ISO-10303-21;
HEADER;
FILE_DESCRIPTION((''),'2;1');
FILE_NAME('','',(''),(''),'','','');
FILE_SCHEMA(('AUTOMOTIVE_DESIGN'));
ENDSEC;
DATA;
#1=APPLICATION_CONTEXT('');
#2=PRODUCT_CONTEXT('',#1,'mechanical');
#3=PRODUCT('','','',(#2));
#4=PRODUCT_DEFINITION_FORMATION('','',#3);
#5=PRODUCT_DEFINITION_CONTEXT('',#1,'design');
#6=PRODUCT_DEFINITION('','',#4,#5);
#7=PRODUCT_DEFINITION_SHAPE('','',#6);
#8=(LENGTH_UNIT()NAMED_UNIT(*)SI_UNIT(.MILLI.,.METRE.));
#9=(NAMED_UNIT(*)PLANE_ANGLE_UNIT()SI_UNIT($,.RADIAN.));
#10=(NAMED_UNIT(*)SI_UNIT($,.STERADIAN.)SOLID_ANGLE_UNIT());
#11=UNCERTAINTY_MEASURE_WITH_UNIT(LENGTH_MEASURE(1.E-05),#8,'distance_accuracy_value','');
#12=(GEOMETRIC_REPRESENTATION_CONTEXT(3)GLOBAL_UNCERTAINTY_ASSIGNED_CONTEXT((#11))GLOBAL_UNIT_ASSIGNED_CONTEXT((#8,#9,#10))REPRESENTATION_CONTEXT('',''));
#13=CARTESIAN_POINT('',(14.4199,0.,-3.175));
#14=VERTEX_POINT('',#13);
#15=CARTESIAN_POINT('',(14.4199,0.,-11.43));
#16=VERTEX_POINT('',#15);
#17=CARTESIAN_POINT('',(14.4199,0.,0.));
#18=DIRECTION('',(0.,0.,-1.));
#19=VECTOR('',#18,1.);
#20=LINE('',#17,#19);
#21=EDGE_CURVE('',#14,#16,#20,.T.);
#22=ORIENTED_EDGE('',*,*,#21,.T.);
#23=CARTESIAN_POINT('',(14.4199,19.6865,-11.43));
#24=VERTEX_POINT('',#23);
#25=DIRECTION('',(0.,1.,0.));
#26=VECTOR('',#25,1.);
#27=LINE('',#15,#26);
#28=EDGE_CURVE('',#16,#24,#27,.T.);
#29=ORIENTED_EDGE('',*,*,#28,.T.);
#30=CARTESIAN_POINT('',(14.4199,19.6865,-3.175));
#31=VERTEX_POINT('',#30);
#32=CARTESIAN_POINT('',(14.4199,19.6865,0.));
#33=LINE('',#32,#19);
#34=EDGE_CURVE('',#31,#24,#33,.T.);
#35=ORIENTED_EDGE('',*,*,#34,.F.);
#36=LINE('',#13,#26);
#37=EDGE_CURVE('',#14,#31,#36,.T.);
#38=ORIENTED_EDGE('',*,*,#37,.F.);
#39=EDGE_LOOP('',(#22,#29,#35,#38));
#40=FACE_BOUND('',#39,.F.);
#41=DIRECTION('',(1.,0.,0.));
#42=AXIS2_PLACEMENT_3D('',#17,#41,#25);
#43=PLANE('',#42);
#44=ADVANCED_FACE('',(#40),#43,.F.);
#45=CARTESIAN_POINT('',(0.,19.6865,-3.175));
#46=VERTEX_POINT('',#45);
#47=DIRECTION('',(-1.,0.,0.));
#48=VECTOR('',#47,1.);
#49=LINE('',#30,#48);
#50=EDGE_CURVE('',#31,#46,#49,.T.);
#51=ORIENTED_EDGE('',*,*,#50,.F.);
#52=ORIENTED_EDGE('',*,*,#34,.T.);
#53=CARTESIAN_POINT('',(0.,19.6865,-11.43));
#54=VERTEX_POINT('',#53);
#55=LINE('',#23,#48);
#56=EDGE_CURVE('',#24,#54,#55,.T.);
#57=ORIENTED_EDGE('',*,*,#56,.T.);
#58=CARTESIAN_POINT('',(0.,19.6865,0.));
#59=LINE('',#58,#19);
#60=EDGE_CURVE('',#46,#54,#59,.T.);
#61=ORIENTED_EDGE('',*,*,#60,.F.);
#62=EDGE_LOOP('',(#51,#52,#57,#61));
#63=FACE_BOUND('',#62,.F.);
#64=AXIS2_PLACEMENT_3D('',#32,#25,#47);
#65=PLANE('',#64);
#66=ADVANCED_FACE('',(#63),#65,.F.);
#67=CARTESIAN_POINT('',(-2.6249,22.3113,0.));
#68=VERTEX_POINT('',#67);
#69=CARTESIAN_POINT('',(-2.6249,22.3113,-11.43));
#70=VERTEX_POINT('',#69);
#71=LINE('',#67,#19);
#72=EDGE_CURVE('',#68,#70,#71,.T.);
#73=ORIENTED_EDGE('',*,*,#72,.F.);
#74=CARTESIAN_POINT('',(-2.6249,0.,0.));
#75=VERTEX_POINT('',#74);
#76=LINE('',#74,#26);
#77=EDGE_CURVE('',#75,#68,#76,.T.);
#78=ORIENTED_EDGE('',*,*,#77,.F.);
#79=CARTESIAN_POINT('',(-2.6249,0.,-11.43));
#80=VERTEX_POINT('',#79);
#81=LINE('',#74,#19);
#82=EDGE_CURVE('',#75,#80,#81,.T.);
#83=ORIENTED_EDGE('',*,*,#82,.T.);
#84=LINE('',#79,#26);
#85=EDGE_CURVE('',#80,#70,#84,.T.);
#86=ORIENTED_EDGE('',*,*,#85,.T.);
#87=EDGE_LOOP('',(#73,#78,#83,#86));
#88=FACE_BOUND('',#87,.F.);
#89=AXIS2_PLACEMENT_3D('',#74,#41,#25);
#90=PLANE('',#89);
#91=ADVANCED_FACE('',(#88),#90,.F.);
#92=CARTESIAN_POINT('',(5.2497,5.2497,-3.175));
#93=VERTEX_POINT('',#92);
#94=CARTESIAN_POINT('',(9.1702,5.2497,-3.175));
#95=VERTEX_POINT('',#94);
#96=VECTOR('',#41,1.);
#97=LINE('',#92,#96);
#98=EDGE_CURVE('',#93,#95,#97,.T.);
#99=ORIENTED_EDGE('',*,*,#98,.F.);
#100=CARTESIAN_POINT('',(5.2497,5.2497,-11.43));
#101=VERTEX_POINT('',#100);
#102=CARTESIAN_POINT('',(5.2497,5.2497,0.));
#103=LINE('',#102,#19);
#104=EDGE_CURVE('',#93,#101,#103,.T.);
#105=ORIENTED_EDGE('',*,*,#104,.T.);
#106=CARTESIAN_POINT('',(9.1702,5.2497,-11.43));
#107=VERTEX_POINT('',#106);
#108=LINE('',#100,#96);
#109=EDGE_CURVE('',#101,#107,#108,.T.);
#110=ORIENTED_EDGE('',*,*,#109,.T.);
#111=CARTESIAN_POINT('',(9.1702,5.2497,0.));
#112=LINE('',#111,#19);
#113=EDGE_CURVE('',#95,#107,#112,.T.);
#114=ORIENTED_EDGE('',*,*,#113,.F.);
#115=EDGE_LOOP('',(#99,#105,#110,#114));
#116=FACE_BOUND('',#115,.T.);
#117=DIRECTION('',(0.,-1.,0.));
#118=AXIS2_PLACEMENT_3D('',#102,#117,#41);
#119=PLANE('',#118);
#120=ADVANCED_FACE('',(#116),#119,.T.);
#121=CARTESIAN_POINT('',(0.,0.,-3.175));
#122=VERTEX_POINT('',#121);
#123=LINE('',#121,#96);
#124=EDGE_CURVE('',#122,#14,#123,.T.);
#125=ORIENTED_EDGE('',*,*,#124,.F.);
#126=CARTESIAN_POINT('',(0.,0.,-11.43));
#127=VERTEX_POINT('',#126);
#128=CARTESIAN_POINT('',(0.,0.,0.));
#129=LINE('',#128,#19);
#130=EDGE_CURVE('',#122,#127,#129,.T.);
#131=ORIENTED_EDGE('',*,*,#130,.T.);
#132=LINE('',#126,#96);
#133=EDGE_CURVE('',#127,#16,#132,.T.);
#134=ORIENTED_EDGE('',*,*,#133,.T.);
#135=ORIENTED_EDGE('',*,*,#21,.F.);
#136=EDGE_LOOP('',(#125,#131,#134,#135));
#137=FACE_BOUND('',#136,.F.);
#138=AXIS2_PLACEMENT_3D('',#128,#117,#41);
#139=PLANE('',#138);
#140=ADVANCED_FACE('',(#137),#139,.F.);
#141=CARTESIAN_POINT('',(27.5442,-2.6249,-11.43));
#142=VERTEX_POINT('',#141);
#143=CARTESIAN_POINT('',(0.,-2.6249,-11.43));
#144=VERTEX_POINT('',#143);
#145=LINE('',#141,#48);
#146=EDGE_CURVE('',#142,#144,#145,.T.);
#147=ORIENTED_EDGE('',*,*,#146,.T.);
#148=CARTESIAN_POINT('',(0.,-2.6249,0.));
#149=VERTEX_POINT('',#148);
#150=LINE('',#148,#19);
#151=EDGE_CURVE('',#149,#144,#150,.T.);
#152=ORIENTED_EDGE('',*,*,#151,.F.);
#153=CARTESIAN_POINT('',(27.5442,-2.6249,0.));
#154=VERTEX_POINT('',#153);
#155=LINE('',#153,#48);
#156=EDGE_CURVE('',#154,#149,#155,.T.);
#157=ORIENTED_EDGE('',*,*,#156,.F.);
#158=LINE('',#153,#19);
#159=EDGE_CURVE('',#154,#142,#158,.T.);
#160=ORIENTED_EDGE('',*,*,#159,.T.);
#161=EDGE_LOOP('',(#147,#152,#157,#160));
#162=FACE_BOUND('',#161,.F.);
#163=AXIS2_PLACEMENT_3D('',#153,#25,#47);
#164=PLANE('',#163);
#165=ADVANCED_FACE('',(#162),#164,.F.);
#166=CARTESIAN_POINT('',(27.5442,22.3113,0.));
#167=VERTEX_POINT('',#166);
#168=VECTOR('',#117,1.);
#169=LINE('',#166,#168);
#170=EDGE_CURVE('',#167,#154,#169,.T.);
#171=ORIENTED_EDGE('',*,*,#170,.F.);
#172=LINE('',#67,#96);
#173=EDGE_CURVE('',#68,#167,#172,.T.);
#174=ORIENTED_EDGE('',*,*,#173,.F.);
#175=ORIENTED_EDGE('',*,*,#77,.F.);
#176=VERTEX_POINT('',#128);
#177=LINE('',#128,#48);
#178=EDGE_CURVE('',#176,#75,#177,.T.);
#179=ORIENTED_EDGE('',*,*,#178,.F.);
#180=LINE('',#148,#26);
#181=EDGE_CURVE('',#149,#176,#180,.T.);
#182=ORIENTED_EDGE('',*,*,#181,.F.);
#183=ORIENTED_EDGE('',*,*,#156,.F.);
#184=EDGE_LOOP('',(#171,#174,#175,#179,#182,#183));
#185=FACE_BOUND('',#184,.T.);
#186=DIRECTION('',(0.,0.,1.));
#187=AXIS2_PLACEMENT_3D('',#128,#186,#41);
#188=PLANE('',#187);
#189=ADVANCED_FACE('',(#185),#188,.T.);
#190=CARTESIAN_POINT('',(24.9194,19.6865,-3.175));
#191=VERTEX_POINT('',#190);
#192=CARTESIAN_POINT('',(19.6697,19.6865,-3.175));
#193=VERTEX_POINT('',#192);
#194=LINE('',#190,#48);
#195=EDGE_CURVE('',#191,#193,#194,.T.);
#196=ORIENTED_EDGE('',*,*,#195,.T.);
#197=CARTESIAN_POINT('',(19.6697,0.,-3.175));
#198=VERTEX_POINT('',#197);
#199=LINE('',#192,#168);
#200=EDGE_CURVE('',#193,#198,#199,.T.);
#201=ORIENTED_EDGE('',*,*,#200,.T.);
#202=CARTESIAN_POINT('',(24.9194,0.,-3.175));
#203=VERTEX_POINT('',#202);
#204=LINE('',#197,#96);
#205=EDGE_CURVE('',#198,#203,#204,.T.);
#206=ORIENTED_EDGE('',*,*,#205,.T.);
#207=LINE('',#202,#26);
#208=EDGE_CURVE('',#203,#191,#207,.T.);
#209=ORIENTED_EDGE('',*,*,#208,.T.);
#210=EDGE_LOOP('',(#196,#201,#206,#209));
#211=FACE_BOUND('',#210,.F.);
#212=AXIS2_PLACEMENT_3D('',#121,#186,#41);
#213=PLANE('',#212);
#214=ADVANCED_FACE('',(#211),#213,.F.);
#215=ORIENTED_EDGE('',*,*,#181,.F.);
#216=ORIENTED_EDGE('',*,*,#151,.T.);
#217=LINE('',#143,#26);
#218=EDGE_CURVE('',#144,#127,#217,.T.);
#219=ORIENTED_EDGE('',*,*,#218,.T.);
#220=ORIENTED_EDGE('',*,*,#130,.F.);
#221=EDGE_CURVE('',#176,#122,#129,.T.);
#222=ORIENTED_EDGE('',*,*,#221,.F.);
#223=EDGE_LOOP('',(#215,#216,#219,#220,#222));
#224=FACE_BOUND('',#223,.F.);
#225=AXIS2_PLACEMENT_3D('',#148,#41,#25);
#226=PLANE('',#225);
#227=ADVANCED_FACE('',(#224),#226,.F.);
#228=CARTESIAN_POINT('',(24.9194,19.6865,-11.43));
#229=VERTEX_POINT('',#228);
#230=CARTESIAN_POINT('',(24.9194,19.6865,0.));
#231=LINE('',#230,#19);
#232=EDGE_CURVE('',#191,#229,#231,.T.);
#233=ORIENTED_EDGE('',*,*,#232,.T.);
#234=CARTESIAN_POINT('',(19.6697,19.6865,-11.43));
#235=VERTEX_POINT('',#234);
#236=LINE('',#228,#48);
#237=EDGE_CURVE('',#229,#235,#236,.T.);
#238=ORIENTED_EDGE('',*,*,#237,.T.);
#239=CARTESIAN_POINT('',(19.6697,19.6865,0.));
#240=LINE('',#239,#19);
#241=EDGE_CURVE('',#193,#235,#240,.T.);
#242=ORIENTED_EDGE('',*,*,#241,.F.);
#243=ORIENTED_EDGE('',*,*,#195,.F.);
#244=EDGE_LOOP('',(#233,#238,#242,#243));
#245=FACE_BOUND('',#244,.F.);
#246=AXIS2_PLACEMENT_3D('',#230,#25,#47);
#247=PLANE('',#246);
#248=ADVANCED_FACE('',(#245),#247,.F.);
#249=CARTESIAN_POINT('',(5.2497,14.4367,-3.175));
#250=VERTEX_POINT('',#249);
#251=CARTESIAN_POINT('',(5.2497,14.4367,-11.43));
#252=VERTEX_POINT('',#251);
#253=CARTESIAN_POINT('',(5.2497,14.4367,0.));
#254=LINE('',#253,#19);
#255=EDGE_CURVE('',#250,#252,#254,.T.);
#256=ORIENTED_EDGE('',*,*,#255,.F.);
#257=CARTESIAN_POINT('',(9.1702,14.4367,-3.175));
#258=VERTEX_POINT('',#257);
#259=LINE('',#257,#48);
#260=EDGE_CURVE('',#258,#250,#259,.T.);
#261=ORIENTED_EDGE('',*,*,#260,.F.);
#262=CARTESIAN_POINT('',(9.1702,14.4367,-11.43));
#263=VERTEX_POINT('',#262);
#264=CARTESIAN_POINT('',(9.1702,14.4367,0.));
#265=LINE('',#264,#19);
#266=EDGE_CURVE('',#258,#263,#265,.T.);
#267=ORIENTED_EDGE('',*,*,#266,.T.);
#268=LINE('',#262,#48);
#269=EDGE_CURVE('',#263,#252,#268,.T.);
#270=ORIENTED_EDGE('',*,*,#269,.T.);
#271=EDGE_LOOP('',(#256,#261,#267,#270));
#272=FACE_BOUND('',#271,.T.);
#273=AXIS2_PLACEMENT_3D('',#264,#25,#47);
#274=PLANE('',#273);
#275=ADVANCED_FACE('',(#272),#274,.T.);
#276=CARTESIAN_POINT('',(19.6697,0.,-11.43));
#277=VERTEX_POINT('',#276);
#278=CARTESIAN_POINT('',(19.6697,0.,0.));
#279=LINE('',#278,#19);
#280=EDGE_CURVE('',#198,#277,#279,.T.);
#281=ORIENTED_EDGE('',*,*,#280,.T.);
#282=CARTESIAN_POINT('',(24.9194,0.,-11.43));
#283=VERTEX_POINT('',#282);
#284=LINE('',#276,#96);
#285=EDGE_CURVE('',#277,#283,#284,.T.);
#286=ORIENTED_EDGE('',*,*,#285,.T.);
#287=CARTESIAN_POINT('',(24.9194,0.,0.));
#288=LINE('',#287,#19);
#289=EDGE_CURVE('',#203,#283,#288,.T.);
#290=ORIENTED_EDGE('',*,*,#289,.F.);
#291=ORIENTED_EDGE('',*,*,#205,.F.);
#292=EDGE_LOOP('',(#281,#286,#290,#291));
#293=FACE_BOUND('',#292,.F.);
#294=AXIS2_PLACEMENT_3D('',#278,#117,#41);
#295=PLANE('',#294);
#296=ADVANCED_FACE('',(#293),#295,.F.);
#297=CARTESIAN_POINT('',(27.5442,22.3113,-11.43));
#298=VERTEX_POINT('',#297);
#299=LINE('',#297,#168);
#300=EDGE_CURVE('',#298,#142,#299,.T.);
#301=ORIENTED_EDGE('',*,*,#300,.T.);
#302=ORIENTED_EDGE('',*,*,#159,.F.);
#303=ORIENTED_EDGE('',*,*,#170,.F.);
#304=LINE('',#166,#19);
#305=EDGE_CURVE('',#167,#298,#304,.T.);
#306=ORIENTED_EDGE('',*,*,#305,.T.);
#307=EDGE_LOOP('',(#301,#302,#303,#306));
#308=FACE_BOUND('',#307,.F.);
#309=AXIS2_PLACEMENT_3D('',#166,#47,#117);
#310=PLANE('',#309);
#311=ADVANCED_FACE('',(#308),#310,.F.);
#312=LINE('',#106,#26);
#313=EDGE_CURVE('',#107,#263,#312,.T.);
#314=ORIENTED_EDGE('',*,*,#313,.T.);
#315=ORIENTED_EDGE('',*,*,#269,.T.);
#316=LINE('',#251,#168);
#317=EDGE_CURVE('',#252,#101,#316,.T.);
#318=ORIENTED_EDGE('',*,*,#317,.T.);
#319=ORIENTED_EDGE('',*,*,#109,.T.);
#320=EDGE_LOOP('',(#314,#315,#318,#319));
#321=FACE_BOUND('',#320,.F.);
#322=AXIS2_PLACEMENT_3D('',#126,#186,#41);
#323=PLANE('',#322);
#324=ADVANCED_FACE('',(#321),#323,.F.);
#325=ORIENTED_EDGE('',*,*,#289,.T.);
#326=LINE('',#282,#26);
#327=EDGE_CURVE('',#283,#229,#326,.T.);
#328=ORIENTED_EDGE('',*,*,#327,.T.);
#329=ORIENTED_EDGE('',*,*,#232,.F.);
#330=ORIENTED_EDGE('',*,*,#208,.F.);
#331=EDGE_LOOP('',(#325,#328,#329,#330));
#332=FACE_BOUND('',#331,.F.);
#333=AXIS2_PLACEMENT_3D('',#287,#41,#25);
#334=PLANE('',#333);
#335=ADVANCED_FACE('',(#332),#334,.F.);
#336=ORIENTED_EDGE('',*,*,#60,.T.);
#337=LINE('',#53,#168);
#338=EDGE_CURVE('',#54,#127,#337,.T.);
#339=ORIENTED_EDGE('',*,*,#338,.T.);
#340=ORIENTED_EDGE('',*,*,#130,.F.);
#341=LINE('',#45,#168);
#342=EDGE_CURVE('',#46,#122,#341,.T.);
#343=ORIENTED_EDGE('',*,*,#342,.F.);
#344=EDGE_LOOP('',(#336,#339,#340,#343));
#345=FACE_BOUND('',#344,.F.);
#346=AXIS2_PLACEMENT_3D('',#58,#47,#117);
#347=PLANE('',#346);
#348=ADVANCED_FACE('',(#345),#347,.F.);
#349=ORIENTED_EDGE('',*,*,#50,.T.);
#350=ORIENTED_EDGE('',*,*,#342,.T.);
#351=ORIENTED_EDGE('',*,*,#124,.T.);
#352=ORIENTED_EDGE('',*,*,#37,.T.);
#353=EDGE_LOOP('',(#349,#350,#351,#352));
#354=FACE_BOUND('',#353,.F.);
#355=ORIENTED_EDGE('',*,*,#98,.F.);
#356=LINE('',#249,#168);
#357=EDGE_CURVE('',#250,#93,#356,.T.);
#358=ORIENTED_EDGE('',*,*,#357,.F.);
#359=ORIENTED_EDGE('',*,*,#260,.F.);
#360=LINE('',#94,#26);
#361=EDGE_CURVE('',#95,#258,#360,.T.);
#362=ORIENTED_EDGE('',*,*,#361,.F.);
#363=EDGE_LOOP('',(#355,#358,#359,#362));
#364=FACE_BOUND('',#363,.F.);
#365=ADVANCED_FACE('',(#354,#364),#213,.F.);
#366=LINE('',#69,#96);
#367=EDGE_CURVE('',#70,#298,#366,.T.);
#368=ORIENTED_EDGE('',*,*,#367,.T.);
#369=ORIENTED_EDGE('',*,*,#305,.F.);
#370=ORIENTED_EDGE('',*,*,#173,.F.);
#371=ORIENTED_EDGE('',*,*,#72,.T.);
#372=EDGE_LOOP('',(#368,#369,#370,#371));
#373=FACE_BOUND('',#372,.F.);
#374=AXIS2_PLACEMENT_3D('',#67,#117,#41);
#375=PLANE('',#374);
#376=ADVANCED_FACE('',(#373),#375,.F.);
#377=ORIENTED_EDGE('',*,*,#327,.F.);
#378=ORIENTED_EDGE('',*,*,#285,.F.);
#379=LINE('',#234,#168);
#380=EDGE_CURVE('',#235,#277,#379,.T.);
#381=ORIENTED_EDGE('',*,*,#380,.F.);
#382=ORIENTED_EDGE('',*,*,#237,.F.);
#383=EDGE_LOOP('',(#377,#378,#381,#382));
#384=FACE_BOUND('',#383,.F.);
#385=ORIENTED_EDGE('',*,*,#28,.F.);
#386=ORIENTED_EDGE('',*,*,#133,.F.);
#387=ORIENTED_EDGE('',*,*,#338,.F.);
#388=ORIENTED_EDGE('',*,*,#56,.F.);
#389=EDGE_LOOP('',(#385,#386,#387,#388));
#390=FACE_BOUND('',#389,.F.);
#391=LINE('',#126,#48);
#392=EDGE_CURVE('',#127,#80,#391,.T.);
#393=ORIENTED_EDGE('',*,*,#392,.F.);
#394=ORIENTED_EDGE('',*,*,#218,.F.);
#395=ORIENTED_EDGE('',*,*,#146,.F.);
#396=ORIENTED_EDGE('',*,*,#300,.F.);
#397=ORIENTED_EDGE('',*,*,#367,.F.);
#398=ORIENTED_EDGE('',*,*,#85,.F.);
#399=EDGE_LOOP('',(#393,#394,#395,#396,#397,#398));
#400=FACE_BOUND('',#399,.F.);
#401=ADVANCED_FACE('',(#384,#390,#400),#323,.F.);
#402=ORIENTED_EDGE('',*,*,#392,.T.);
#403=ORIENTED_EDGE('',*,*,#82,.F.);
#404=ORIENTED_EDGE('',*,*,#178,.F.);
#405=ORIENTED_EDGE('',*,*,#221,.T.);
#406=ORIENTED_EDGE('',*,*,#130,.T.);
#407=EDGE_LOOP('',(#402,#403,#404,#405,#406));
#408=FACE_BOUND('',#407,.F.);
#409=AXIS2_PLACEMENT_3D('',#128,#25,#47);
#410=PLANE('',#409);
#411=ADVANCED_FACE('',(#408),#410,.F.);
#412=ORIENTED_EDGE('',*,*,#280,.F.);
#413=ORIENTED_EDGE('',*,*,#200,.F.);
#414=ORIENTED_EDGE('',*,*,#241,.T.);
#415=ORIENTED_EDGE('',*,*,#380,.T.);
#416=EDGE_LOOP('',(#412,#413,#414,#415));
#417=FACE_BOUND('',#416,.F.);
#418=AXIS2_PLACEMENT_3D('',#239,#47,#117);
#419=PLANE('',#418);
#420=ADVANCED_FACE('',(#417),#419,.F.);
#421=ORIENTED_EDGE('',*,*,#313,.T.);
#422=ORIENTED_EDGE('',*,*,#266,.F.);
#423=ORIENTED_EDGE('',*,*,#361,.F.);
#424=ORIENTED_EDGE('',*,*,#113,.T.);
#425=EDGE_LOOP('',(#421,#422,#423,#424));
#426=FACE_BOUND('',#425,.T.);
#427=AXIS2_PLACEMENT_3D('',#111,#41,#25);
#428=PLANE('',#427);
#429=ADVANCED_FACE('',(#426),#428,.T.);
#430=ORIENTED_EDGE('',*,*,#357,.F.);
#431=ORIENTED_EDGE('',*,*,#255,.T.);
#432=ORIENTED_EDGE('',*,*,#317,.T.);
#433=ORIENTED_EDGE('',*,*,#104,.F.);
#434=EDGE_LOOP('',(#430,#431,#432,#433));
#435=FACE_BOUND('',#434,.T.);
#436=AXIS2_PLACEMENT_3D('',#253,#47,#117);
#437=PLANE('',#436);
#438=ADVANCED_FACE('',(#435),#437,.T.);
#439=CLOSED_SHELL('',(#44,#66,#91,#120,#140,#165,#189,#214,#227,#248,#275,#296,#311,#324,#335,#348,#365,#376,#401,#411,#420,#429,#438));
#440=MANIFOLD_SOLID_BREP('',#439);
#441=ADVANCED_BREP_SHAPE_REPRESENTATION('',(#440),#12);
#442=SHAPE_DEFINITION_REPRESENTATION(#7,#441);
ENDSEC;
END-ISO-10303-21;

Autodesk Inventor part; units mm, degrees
ref_plane "YZ Plane" through (0, 0, 0) normal (1, 0, 0) x (0, 1, 0)
ref_plane "XZ Plane" through (0, 0, 0) normal (0, 1, 0) x (-1, 0, 0)
ref_plane "XY Plane" through (0, 0, 0) normal (0, 0, 1) x (1, 0, 0)
sketch "TopProfile" plane through (0, 0, 0) normal (0, 0, 1) x (1, 0, 0)
  line L0 (0, 19.6865) -> (0, 0)
  line L1 (9.1702, 14.4367) -> (5.2497, 14.4367)
  line L2 (5.2497, 14.4367) -> (5.2497, 5.2497)
  line L3 (5.2497, 5.2497) -> (9.1702, 5.2497)
  line L4 (9.1702, 5.2497) -> (9.1702, 14.4367)
  line L5 (19.6697, 0) -> (24.9194, 0)
  line L6 (24.9194, 0) -> (24.9194, 19.6865)
  line L7 (24.9194, 19.6865) -> (19.6697, 19.6865)
  line L8 (19.6697, 19.6865) -> (19.6697, 0)
  line L9 (-2.6249, 0) -> (-2.6249, 22.3113)
  line L10 (-2.6249, 22.3113) -> (27.5442, 22.3113)
  line L11 (27.5442, 22.3113) -> (27.5442, -2.6249)
  line L12 (27.5442, -2.6249) -> (0, -2.6249)
  line L13 (0, -2.6249) -> (0, 0)
  line L14 (0, 0) -> (-2.6249, 0)
  line L15 (14.4199, 0) -> (14.4199, 19.6865)
  line L16 (14.4199, 19.6865) -> (0, 19.6865)
  line L17 (0, 0) -> (14.4199, 0)
  line L18 (-2.6249, 0) -> (-2.6249, -2.6249)
  line L19 (-2.6249, -2.6249) -> (0, -2.6249)
  dimension "d3" = 3.9205
  dimension "d4" = 5.2497
  dimension "d8" = 5.2497
  dimension "d12" = 5.2497
  dimension "d13" = 2.6249
  dimension "d14" = 5.2497
  dimension "d15" = 5.2497
  dimension "d16" = 2.6249
  dimension "d17" = 2.6249
  dimension "d18" = 2.6249
  dimension "d19" = 24.9362
  dimension "d20" = 27.5443
  dimension "d21" = 5.2497
extrude "NegativeFeature" add sketch "TopProfile" against normal blind 11.43 contours L14 L9 L10 L11 L12 L13 | L4 L3 L2 L1
extrude "PositiveFeature" add sketch "TopProfile" against normal blind 3.175 contours L16 L15 L17 L0 | L8 L7 L6 L5
properties part number "switchback-logo-01"
